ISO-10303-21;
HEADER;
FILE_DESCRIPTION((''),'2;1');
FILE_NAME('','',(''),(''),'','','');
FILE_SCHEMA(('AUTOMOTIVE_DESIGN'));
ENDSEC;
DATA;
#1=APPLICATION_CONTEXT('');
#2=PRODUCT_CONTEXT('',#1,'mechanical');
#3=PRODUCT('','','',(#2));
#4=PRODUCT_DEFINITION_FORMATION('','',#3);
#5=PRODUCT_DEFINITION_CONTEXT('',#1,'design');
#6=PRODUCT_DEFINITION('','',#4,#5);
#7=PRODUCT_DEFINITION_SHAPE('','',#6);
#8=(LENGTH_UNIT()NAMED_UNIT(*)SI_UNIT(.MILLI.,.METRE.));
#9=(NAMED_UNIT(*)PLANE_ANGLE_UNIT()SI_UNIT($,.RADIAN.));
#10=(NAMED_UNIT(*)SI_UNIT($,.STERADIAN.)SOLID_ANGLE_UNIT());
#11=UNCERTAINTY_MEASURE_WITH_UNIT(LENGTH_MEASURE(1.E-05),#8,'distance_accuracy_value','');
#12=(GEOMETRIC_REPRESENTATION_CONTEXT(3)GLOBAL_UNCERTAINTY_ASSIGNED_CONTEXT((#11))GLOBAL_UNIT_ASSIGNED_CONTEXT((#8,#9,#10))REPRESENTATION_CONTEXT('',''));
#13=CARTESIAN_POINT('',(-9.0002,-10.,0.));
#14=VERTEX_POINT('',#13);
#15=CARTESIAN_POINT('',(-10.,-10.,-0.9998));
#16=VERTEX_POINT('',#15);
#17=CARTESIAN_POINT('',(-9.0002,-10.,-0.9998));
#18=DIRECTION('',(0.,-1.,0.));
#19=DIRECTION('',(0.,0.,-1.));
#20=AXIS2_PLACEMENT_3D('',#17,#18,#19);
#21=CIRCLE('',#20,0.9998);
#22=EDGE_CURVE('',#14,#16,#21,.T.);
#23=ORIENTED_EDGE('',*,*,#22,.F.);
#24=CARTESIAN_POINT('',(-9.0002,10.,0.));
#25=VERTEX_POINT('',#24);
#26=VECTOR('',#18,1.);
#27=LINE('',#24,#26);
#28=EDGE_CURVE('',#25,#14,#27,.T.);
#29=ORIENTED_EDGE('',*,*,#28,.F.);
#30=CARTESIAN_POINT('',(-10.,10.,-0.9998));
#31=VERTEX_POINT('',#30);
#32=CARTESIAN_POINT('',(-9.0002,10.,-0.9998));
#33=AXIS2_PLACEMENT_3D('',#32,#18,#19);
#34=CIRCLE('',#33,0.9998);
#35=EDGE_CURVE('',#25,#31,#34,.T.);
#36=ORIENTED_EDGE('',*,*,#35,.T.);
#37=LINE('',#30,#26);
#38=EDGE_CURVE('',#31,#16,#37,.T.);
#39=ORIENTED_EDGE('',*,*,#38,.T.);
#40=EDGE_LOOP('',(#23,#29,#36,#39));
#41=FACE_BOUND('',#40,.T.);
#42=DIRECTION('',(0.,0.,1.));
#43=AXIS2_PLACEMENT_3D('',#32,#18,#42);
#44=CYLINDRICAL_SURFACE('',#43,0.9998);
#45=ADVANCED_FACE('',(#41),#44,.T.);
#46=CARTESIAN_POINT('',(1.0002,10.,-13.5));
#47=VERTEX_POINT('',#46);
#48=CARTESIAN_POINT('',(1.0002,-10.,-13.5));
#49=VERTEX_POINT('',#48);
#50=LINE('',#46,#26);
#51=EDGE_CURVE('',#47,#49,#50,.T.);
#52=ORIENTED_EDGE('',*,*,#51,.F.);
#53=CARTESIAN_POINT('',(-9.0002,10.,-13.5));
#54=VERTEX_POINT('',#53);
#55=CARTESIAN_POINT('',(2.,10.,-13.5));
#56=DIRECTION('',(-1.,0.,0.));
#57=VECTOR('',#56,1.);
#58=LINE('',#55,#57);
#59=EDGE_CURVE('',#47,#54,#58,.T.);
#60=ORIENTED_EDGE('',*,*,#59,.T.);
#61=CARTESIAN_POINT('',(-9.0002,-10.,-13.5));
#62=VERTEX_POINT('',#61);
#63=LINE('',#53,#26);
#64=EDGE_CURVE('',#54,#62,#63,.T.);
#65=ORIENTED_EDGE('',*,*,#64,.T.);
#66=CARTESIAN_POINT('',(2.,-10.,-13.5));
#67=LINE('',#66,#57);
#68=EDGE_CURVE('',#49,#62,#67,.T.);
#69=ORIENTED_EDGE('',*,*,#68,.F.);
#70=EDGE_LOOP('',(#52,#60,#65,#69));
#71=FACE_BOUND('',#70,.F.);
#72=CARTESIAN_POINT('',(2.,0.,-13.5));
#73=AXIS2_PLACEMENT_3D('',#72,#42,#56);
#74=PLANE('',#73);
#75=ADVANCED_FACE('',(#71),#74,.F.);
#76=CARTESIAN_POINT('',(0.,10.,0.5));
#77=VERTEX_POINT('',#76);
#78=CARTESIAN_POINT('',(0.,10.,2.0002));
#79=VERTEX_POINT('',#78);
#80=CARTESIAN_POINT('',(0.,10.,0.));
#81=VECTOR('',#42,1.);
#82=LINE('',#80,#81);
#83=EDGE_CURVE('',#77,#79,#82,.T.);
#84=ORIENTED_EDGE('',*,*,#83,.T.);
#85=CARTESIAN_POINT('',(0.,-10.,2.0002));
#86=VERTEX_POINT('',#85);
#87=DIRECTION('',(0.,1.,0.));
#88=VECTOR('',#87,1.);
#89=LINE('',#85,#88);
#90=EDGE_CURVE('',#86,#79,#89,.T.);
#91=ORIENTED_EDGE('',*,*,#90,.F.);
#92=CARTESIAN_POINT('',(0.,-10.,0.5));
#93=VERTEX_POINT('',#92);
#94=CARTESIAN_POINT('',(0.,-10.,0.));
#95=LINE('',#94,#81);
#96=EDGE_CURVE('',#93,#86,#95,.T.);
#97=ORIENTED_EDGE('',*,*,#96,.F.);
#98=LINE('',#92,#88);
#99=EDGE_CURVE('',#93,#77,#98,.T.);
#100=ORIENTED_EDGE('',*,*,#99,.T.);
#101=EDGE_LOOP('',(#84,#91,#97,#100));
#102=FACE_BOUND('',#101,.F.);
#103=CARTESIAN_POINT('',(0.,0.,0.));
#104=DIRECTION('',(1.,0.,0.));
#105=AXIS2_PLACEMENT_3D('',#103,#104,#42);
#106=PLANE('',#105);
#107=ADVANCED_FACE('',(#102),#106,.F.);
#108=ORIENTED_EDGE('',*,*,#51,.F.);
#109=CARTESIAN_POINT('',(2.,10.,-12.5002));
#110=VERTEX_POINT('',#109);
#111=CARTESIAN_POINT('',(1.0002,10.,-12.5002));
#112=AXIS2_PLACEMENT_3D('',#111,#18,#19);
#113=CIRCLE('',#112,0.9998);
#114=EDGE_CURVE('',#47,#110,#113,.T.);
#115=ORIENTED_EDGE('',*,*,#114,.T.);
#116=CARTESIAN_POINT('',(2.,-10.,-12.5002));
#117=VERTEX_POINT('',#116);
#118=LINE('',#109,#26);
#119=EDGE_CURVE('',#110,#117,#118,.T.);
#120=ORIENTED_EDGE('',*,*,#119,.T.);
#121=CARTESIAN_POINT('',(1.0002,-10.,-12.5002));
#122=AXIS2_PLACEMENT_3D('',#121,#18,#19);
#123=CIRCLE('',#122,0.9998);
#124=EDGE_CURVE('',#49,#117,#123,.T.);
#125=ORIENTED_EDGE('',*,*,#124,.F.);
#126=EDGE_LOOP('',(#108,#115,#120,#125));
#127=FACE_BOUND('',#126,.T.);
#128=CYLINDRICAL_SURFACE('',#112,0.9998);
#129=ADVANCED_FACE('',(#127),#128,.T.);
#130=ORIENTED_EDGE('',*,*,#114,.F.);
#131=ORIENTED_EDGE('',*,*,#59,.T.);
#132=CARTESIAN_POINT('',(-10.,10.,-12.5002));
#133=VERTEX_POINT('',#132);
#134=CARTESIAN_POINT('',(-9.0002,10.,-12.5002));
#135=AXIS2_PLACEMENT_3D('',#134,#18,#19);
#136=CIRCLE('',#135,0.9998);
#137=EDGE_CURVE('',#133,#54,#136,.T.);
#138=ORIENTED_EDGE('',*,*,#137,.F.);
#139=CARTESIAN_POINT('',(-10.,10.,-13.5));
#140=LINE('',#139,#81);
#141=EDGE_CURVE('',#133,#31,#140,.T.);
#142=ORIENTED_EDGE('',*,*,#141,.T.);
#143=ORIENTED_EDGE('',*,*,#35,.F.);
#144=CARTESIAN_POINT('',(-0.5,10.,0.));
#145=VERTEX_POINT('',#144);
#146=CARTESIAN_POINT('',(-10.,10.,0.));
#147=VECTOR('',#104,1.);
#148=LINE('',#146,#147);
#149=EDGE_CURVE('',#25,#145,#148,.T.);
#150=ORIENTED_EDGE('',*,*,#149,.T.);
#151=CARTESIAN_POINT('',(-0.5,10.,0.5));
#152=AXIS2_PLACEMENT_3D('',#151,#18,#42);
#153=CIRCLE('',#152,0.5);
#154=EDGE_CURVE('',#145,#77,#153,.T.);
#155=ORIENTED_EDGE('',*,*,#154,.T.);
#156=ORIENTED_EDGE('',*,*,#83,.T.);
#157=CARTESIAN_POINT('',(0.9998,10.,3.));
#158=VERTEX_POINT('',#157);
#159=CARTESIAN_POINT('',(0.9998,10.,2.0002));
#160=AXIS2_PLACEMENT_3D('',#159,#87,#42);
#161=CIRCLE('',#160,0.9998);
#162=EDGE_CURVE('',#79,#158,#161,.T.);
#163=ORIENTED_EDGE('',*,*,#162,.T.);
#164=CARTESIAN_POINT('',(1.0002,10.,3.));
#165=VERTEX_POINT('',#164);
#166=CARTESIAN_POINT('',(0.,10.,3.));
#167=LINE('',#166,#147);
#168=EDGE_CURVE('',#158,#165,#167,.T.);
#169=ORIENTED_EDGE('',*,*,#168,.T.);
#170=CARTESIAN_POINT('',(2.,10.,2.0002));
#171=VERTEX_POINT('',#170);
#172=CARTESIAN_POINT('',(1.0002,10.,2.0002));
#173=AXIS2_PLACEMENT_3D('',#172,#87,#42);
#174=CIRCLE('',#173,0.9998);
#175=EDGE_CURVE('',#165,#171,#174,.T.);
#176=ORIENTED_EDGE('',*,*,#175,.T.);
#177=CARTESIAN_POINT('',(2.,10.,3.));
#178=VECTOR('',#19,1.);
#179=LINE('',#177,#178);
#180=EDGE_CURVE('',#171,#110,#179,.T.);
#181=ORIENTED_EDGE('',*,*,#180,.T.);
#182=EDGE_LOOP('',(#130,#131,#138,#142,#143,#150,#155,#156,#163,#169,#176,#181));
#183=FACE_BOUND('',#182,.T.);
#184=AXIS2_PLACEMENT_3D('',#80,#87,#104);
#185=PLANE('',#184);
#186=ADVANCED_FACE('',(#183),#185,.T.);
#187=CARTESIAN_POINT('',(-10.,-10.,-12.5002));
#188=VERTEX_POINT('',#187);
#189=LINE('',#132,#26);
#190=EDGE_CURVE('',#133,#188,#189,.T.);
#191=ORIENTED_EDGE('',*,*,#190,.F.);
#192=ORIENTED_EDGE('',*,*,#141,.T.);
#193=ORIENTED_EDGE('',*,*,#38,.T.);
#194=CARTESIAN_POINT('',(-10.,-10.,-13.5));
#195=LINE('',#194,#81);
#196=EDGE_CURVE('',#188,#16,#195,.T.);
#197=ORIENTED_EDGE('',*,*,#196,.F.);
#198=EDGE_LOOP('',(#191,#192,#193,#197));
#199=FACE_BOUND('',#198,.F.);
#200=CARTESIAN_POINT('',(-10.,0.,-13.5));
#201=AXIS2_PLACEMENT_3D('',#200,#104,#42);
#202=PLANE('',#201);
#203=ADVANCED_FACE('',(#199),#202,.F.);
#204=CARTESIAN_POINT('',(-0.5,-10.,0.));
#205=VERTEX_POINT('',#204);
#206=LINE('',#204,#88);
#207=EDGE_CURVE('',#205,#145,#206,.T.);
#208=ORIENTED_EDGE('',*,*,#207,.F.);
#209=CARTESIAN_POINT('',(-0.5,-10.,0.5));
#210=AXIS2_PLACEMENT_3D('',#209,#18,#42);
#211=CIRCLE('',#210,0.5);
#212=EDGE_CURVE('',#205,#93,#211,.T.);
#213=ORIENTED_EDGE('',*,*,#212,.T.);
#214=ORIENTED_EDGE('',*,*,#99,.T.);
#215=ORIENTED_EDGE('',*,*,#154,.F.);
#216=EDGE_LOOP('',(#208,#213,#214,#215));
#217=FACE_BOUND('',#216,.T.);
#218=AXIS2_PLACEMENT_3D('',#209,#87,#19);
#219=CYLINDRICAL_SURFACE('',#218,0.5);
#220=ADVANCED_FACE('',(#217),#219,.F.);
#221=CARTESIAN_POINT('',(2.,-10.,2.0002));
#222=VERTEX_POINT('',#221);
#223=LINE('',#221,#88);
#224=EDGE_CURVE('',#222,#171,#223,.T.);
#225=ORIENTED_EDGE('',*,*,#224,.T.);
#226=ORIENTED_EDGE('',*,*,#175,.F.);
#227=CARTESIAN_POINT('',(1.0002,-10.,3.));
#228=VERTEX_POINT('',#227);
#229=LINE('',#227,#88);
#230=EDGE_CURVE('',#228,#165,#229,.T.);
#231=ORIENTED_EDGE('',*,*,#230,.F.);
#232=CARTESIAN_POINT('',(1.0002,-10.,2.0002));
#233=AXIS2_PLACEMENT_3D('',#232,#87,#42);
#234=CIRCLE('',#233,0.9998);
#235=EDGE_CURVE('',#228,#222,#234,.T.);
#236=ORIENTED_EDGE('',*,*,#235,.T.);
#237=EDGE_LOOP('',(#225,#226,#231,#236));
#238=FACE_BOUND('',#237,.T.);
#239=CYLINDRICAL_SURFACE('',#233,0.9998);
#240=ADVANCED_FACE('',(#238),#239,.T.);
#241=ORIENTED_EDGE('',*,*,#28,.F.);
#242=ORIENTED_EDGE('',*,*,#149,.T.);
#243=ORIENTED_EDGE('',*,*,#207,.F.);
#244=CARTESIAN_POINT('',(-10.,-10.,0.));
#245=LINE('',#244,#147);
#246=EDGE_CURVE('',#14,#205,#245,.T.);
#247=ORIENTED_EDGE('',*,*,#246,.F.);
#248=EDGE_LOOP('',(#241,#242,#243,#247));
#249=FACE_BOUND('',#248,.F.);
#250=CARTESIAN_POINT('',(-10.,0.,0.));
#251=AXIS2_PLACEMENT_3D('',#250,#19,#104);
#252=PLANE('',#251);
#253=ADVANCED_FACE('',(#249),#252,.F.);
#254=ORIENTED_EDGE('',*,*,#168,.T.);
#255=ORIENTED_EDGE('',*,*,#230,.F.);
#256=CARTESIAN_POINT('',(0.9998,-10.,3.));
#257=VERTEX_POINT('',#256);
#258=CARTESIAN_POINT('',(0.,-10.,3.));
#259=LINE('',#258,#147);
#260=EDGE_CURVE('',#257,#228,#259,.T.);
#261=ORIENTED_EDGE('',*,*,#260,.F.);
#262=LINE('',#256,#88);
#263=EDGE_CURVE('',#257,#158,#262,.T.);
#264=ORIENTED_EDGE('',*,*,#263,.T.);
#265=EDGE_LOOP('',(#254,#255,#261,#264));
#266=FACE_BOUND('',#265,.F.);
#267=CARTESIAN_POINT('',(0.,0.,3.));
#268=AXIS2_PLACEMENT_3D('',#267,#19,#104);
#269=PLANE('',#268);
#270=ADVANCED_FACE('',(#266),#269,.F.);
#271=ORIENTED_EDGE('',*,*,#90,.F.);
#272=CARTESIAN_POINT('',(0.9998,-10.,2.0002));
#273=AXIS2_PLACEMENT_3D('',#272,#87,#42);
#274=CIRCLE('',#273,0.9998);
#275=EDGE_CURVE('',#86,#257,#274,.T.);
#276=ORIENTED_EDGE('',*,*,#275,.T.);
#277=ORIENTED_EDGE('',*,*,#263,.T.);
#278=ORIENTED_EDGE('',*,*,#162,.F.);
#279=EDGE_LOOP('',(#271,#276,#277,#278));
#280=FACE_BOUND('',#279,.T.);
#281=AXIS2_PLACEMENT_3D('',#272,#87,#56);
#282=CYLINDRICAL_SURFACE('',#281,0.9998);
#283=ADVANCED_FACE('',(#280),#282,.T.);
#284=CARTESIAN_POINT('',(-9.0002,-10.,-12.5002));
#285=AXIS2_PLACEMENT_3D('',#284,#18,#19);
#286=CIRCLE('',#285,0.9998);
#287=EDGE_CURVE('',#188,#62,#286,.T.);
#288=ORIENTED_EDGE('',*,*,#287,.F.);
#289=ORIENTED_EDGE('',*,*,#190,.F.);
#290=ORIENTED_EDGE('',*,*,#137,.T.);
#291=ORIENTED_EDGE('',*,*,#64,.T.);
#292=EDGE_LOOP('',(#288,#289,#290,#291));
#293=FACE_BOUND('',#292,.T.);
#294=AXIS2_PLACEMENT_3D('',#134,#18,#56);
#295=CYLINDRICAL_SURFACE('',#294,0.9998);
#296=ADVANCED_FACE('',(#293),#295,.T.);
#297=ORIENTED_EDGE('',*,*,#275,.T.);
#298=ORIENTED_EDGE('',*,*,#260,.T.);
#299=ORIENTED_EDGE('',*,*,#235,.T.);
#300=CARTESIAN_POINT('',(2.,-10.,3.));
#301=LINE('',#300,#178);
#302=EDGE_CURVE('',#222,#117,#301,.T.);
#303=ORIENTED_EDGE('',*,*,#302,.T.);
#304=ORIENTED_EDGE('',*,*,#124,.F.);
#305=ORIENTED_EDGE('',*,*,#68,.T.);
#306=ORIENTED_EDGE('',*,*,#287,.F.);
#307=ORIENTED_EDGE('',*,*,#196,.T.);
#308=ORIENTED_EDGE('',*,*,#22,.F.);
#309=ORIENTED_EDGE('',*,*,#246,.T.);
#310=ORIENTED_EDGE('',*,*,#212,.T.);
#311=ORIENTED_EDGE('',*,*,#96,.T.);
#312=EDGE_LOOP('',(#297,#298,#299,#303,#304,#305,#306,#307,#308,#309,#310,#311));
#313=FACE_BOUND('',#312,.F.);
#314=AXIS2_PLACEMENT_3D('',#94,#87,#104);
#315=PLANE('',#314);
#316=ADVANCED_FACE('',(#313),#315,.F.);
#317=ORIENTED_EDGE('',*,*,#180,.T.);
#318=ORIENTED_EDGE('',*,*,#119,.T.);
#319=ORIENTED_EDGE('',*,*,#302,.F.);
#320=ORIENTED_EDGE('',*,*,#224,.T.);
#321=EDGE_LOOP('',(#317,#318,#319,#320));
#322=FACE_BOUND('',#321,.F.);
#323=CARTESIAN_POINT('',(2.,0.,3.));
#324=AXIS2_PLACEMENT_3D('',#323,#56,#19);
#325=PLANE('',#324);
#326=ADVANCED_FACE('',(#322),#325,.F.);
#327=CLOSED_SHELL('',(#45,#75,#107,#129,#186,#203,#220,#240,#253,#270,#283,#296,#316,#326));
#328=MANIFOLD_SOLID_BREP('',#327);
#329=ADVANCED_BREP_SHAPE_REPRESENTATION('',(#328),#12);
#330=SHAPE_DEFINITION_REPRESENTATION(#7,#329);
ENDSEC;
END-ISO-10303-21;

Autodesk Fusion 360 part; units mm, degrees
sketch "Sketch1" plane through (0, 0, 0) normal (0, 1, 0) x (1, 0, 0)
  line L0 (0, 0) -> (0, -3)
  line L1 (0, -3) -> (2, -3)
  line L2 (2, -3) -> (2, 13.5)
  line L3 (2, 13.5) -> (-10, 13.5)
  line L4 (-10, 13.5) -> (-10, 0)
  line L5 (-10, 0) -> (0, 0)
  dimension "d1" = 3
  dimension "d2" = 10
  dimension "d4" = 13.5
  dimension "d5" = 2
extrude "Extrude1" add sketch "Sketch1" along normal mid plane 20
fillet "Fillet1" radius 1 5 edges at (2, 0, -13.5) (-10, 0, -13.5) (-10, 0, 0) (2, 0, 3) (0, 0, 3)
fillet "Fillet2" radius 0.5 1 edges at (0, 0, 0)
